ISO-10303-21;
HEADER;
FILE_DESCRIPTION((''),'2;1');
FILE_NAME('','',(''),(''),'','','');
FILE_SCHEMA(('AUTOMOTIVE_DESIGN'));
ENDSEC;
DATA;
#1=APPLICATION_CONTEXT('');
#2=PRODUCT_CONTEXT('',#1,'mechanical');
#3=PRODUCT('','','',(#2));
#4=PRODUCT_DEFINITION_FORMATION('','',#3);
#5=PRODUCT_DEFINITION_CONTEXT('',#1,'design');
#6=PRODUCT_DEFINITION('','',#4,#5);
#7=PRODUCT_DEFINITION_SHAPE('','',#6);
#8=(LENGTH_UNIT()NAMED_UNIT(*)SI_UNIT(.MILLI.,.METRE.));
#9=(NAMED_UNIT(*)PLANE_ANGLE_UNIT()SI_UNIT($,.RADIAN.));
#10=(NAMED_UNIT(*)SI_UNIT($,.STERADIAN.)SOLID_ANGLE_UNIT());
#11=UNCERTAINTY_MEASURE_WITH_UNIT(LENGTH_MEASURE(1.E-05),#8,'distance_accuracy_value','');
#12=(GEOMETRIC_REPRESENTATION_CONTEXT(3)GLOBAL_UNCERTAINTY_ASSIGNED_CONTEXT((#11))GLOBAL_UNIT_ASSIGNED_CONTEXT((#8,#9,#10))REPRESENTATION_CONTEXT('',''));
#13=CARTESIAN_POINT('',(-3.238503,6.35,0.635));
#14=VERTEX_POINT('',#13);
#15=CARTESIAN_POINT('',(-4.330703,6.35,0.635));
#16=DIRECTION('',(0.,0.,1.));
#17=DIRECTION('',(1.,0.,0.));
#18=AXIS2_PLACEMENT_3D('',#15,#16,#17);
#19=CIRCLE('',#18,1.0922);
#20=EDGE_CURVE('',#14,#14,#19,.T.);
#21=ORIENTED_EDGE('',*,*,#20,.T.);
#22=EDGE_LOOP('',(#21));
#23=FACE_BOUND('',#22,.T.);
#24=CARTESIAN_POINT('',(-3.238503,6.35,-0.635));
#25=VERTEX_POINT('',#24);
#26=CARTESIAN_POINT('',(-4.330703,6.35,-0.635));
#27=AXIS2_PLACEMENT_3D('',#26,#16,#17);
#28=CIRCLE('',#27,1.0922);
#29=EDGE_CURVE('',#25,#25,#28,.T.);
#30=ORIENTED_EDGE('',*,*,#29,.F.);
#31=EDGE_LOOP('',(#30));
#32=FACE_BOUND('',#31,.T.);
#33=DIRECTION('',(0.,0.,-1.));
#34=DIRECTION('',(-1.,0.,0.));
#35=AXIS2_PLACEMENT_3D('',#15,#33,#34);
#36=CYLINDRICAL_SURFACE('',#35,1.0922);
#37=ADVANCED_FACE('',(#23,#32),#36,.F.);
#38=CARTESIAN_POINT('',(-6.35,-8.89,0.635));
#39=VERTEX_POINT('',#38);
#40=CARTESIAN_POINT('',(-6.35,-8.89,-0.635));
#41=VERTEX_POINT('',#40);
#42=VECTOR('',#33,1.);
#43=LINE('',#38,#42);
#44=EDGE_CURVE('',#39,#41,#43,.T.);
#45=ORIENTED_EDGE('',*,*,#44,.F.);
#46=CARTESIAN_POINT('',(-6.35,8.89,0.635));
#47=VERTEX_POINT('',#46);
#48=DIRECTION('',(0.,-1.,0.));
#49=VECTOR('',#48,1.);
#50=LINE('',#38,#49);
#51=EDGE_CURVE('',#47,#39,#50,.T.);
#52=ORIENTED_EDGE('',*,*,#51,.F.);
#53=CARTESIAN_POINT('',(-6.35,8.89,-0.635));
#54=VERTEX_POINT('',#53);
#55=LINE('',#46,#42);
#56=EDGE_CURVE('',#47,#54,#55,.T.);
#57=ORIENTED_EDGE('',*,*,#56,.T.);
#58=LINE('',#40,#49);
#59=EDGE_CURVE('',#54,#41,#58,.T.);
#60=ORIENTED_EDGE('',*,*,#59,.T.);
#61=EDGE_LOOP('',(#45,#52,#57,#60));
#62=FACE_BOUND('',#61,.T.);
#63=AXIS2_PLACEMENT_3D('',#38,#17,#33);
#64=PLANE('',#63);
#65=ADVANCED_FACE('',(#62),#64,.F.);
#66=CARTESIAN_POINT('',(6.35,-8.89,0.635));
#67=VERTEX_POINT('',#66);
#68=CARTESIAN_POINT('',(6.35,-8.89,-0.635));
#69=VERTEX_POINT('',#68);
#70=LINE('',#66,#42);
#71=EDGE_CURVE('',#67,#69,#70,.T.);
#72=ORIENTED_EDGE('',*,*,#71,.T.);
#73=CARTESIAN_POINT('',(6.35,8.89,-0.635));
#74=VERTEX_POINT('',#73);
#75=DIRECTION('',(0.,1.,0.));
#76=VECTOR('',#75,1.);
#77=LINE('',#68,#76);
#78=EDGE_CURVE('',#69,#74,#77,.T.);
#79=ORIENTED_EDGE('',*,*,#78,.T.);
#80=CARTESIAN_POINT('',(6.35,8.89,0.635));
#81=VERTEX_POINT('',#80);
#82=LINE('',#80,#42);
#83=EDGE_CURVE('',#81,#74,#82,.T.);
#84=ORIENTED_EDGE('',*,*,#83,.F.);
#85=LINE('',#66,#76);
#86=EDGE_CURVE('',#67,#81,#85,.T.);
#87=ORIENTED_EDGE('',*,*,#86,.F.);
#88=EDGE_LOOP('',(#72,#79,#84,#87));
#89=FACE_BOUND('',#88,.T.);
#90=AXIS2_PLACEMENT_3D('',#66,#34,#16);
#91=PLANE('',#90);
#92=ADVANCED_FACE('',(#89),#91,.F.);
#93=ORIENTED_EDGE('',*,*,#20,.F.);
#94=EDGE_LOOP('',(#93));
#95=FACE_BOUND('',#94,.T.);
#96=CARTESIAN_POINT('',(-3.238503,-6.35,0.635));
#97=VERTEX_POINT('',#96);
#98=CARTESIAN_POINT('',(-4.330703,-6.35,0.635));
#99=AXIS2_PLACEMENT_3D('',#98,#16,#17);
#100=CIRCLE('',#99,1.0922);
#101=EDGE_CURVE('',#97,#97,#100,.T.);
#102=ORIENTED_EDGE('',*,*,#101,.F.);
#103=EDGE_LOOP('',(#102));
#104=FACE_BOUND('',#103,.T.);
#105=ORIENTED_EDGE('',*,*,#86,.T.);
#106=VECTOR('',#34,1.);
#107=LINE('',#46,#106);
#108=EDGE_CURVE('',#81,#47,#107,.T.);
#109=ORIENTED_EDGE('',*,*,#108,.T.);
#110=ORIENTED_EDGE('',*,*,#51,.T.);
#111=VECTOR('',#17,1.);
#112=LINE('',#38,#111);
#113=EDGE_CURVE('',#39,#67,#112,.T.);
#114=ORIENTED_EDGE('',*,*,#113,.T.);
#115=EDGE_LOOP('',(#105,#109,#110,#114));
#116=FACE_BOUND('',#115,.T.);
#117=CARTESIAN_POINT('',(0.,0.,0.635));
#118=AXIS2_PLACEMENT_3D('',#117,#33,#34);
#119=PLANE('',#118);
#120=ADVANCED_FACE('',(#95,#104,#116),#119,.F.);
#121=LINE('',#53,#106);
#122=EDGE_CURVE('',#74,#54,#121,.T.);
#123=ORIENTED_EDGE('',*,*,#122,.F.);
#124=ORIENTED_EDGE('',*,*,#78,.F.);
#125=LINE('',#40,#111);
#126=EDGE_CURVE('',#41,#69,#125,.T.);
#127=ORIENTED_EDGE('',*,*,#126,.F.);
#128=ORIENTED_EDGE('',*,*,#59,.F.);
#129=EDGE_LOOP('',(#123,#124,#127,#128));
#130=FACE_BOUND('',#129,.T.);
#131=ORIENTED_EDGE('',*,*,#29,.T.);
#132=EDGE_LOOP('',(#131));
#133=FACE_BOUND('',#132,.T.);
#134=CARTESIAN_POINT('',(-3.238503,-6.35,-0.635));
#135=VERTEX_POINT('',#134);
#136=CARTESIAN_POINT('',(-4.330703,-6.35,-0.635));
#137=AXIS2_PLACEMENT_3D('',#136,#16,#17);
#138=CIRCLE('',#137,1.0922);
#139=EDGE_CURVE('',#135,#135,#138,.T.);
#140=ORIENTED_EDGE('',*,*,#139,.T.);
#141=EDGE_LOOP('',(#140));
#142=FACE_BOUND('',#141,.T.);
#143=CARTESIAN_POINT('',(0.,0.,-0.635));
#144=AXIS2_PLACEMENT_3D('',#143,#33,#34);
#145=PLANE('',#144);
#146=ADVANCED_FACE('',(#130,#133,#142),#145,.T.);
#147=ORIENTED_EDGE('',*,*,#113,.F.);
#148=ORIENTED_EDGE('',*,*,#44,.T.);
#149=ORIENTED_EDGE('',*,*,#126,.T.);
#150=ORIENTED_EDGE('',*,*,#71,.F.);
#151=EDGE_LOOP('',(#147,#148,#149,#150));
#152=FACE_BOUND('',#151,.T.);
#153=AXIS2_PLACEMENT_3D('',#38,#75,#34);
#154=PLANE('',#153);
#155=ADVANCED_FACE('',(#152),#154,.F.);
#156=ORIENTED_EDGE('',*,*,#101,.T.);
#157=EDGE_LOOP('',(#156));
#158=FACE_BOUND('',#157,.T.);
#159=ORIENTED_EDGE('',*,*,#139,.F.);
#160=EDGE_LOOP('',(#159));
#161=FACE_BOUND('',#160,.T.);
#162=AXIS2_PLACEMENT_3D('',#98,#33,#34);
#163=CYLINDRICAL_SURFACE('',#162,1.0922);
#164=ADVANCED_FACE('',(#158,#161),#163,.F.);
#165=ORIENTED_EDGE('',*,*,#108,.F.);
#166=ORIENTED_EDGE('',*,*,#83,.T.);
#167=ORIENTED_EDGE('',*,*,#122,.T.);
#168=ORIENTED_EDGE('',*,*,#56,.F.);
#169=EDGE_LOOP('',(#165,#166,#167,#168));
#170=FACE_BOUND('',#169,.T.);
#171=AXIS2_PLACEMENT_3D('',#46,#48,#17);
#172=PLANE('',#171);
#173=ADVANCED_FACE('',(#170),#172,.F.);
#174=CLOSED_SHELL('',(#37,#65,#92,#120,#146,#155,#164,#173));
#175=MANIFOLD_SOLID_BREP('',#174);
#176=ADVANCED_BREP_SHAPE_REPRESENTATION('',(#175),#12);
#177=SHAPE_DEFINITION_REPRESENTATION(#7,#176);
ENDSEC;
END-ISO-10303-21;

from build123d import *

# Parameters (mm, degrees)
SKETCH1_W           = 12.7
SKETCH1_H           = 17.78
SKETCH1_R           = 1.0922
BOSS_EXTRUDE1_DEPTH = 0.635


with BuildPart() as part:
    # Sketch1 → Boss-Extrude1 (new body, symmetric)
    with BuildSketch(Plane.XY):
        Rectangle(SKETCH1_W, SKETCH1_H)
        with Locations((-4.330703088, 6.35)):
            Circle(SKETCH1_R, mode=Mode.SUBTRACT)
        with Locations((-4.330703088, -6.35)):
            Circle(SKETCH1_R, mode=Mode.SUBTRACT)
    extrude(amount=BOSS_EXTRUDE1_DEPTH, both=True)


solid = part.part
